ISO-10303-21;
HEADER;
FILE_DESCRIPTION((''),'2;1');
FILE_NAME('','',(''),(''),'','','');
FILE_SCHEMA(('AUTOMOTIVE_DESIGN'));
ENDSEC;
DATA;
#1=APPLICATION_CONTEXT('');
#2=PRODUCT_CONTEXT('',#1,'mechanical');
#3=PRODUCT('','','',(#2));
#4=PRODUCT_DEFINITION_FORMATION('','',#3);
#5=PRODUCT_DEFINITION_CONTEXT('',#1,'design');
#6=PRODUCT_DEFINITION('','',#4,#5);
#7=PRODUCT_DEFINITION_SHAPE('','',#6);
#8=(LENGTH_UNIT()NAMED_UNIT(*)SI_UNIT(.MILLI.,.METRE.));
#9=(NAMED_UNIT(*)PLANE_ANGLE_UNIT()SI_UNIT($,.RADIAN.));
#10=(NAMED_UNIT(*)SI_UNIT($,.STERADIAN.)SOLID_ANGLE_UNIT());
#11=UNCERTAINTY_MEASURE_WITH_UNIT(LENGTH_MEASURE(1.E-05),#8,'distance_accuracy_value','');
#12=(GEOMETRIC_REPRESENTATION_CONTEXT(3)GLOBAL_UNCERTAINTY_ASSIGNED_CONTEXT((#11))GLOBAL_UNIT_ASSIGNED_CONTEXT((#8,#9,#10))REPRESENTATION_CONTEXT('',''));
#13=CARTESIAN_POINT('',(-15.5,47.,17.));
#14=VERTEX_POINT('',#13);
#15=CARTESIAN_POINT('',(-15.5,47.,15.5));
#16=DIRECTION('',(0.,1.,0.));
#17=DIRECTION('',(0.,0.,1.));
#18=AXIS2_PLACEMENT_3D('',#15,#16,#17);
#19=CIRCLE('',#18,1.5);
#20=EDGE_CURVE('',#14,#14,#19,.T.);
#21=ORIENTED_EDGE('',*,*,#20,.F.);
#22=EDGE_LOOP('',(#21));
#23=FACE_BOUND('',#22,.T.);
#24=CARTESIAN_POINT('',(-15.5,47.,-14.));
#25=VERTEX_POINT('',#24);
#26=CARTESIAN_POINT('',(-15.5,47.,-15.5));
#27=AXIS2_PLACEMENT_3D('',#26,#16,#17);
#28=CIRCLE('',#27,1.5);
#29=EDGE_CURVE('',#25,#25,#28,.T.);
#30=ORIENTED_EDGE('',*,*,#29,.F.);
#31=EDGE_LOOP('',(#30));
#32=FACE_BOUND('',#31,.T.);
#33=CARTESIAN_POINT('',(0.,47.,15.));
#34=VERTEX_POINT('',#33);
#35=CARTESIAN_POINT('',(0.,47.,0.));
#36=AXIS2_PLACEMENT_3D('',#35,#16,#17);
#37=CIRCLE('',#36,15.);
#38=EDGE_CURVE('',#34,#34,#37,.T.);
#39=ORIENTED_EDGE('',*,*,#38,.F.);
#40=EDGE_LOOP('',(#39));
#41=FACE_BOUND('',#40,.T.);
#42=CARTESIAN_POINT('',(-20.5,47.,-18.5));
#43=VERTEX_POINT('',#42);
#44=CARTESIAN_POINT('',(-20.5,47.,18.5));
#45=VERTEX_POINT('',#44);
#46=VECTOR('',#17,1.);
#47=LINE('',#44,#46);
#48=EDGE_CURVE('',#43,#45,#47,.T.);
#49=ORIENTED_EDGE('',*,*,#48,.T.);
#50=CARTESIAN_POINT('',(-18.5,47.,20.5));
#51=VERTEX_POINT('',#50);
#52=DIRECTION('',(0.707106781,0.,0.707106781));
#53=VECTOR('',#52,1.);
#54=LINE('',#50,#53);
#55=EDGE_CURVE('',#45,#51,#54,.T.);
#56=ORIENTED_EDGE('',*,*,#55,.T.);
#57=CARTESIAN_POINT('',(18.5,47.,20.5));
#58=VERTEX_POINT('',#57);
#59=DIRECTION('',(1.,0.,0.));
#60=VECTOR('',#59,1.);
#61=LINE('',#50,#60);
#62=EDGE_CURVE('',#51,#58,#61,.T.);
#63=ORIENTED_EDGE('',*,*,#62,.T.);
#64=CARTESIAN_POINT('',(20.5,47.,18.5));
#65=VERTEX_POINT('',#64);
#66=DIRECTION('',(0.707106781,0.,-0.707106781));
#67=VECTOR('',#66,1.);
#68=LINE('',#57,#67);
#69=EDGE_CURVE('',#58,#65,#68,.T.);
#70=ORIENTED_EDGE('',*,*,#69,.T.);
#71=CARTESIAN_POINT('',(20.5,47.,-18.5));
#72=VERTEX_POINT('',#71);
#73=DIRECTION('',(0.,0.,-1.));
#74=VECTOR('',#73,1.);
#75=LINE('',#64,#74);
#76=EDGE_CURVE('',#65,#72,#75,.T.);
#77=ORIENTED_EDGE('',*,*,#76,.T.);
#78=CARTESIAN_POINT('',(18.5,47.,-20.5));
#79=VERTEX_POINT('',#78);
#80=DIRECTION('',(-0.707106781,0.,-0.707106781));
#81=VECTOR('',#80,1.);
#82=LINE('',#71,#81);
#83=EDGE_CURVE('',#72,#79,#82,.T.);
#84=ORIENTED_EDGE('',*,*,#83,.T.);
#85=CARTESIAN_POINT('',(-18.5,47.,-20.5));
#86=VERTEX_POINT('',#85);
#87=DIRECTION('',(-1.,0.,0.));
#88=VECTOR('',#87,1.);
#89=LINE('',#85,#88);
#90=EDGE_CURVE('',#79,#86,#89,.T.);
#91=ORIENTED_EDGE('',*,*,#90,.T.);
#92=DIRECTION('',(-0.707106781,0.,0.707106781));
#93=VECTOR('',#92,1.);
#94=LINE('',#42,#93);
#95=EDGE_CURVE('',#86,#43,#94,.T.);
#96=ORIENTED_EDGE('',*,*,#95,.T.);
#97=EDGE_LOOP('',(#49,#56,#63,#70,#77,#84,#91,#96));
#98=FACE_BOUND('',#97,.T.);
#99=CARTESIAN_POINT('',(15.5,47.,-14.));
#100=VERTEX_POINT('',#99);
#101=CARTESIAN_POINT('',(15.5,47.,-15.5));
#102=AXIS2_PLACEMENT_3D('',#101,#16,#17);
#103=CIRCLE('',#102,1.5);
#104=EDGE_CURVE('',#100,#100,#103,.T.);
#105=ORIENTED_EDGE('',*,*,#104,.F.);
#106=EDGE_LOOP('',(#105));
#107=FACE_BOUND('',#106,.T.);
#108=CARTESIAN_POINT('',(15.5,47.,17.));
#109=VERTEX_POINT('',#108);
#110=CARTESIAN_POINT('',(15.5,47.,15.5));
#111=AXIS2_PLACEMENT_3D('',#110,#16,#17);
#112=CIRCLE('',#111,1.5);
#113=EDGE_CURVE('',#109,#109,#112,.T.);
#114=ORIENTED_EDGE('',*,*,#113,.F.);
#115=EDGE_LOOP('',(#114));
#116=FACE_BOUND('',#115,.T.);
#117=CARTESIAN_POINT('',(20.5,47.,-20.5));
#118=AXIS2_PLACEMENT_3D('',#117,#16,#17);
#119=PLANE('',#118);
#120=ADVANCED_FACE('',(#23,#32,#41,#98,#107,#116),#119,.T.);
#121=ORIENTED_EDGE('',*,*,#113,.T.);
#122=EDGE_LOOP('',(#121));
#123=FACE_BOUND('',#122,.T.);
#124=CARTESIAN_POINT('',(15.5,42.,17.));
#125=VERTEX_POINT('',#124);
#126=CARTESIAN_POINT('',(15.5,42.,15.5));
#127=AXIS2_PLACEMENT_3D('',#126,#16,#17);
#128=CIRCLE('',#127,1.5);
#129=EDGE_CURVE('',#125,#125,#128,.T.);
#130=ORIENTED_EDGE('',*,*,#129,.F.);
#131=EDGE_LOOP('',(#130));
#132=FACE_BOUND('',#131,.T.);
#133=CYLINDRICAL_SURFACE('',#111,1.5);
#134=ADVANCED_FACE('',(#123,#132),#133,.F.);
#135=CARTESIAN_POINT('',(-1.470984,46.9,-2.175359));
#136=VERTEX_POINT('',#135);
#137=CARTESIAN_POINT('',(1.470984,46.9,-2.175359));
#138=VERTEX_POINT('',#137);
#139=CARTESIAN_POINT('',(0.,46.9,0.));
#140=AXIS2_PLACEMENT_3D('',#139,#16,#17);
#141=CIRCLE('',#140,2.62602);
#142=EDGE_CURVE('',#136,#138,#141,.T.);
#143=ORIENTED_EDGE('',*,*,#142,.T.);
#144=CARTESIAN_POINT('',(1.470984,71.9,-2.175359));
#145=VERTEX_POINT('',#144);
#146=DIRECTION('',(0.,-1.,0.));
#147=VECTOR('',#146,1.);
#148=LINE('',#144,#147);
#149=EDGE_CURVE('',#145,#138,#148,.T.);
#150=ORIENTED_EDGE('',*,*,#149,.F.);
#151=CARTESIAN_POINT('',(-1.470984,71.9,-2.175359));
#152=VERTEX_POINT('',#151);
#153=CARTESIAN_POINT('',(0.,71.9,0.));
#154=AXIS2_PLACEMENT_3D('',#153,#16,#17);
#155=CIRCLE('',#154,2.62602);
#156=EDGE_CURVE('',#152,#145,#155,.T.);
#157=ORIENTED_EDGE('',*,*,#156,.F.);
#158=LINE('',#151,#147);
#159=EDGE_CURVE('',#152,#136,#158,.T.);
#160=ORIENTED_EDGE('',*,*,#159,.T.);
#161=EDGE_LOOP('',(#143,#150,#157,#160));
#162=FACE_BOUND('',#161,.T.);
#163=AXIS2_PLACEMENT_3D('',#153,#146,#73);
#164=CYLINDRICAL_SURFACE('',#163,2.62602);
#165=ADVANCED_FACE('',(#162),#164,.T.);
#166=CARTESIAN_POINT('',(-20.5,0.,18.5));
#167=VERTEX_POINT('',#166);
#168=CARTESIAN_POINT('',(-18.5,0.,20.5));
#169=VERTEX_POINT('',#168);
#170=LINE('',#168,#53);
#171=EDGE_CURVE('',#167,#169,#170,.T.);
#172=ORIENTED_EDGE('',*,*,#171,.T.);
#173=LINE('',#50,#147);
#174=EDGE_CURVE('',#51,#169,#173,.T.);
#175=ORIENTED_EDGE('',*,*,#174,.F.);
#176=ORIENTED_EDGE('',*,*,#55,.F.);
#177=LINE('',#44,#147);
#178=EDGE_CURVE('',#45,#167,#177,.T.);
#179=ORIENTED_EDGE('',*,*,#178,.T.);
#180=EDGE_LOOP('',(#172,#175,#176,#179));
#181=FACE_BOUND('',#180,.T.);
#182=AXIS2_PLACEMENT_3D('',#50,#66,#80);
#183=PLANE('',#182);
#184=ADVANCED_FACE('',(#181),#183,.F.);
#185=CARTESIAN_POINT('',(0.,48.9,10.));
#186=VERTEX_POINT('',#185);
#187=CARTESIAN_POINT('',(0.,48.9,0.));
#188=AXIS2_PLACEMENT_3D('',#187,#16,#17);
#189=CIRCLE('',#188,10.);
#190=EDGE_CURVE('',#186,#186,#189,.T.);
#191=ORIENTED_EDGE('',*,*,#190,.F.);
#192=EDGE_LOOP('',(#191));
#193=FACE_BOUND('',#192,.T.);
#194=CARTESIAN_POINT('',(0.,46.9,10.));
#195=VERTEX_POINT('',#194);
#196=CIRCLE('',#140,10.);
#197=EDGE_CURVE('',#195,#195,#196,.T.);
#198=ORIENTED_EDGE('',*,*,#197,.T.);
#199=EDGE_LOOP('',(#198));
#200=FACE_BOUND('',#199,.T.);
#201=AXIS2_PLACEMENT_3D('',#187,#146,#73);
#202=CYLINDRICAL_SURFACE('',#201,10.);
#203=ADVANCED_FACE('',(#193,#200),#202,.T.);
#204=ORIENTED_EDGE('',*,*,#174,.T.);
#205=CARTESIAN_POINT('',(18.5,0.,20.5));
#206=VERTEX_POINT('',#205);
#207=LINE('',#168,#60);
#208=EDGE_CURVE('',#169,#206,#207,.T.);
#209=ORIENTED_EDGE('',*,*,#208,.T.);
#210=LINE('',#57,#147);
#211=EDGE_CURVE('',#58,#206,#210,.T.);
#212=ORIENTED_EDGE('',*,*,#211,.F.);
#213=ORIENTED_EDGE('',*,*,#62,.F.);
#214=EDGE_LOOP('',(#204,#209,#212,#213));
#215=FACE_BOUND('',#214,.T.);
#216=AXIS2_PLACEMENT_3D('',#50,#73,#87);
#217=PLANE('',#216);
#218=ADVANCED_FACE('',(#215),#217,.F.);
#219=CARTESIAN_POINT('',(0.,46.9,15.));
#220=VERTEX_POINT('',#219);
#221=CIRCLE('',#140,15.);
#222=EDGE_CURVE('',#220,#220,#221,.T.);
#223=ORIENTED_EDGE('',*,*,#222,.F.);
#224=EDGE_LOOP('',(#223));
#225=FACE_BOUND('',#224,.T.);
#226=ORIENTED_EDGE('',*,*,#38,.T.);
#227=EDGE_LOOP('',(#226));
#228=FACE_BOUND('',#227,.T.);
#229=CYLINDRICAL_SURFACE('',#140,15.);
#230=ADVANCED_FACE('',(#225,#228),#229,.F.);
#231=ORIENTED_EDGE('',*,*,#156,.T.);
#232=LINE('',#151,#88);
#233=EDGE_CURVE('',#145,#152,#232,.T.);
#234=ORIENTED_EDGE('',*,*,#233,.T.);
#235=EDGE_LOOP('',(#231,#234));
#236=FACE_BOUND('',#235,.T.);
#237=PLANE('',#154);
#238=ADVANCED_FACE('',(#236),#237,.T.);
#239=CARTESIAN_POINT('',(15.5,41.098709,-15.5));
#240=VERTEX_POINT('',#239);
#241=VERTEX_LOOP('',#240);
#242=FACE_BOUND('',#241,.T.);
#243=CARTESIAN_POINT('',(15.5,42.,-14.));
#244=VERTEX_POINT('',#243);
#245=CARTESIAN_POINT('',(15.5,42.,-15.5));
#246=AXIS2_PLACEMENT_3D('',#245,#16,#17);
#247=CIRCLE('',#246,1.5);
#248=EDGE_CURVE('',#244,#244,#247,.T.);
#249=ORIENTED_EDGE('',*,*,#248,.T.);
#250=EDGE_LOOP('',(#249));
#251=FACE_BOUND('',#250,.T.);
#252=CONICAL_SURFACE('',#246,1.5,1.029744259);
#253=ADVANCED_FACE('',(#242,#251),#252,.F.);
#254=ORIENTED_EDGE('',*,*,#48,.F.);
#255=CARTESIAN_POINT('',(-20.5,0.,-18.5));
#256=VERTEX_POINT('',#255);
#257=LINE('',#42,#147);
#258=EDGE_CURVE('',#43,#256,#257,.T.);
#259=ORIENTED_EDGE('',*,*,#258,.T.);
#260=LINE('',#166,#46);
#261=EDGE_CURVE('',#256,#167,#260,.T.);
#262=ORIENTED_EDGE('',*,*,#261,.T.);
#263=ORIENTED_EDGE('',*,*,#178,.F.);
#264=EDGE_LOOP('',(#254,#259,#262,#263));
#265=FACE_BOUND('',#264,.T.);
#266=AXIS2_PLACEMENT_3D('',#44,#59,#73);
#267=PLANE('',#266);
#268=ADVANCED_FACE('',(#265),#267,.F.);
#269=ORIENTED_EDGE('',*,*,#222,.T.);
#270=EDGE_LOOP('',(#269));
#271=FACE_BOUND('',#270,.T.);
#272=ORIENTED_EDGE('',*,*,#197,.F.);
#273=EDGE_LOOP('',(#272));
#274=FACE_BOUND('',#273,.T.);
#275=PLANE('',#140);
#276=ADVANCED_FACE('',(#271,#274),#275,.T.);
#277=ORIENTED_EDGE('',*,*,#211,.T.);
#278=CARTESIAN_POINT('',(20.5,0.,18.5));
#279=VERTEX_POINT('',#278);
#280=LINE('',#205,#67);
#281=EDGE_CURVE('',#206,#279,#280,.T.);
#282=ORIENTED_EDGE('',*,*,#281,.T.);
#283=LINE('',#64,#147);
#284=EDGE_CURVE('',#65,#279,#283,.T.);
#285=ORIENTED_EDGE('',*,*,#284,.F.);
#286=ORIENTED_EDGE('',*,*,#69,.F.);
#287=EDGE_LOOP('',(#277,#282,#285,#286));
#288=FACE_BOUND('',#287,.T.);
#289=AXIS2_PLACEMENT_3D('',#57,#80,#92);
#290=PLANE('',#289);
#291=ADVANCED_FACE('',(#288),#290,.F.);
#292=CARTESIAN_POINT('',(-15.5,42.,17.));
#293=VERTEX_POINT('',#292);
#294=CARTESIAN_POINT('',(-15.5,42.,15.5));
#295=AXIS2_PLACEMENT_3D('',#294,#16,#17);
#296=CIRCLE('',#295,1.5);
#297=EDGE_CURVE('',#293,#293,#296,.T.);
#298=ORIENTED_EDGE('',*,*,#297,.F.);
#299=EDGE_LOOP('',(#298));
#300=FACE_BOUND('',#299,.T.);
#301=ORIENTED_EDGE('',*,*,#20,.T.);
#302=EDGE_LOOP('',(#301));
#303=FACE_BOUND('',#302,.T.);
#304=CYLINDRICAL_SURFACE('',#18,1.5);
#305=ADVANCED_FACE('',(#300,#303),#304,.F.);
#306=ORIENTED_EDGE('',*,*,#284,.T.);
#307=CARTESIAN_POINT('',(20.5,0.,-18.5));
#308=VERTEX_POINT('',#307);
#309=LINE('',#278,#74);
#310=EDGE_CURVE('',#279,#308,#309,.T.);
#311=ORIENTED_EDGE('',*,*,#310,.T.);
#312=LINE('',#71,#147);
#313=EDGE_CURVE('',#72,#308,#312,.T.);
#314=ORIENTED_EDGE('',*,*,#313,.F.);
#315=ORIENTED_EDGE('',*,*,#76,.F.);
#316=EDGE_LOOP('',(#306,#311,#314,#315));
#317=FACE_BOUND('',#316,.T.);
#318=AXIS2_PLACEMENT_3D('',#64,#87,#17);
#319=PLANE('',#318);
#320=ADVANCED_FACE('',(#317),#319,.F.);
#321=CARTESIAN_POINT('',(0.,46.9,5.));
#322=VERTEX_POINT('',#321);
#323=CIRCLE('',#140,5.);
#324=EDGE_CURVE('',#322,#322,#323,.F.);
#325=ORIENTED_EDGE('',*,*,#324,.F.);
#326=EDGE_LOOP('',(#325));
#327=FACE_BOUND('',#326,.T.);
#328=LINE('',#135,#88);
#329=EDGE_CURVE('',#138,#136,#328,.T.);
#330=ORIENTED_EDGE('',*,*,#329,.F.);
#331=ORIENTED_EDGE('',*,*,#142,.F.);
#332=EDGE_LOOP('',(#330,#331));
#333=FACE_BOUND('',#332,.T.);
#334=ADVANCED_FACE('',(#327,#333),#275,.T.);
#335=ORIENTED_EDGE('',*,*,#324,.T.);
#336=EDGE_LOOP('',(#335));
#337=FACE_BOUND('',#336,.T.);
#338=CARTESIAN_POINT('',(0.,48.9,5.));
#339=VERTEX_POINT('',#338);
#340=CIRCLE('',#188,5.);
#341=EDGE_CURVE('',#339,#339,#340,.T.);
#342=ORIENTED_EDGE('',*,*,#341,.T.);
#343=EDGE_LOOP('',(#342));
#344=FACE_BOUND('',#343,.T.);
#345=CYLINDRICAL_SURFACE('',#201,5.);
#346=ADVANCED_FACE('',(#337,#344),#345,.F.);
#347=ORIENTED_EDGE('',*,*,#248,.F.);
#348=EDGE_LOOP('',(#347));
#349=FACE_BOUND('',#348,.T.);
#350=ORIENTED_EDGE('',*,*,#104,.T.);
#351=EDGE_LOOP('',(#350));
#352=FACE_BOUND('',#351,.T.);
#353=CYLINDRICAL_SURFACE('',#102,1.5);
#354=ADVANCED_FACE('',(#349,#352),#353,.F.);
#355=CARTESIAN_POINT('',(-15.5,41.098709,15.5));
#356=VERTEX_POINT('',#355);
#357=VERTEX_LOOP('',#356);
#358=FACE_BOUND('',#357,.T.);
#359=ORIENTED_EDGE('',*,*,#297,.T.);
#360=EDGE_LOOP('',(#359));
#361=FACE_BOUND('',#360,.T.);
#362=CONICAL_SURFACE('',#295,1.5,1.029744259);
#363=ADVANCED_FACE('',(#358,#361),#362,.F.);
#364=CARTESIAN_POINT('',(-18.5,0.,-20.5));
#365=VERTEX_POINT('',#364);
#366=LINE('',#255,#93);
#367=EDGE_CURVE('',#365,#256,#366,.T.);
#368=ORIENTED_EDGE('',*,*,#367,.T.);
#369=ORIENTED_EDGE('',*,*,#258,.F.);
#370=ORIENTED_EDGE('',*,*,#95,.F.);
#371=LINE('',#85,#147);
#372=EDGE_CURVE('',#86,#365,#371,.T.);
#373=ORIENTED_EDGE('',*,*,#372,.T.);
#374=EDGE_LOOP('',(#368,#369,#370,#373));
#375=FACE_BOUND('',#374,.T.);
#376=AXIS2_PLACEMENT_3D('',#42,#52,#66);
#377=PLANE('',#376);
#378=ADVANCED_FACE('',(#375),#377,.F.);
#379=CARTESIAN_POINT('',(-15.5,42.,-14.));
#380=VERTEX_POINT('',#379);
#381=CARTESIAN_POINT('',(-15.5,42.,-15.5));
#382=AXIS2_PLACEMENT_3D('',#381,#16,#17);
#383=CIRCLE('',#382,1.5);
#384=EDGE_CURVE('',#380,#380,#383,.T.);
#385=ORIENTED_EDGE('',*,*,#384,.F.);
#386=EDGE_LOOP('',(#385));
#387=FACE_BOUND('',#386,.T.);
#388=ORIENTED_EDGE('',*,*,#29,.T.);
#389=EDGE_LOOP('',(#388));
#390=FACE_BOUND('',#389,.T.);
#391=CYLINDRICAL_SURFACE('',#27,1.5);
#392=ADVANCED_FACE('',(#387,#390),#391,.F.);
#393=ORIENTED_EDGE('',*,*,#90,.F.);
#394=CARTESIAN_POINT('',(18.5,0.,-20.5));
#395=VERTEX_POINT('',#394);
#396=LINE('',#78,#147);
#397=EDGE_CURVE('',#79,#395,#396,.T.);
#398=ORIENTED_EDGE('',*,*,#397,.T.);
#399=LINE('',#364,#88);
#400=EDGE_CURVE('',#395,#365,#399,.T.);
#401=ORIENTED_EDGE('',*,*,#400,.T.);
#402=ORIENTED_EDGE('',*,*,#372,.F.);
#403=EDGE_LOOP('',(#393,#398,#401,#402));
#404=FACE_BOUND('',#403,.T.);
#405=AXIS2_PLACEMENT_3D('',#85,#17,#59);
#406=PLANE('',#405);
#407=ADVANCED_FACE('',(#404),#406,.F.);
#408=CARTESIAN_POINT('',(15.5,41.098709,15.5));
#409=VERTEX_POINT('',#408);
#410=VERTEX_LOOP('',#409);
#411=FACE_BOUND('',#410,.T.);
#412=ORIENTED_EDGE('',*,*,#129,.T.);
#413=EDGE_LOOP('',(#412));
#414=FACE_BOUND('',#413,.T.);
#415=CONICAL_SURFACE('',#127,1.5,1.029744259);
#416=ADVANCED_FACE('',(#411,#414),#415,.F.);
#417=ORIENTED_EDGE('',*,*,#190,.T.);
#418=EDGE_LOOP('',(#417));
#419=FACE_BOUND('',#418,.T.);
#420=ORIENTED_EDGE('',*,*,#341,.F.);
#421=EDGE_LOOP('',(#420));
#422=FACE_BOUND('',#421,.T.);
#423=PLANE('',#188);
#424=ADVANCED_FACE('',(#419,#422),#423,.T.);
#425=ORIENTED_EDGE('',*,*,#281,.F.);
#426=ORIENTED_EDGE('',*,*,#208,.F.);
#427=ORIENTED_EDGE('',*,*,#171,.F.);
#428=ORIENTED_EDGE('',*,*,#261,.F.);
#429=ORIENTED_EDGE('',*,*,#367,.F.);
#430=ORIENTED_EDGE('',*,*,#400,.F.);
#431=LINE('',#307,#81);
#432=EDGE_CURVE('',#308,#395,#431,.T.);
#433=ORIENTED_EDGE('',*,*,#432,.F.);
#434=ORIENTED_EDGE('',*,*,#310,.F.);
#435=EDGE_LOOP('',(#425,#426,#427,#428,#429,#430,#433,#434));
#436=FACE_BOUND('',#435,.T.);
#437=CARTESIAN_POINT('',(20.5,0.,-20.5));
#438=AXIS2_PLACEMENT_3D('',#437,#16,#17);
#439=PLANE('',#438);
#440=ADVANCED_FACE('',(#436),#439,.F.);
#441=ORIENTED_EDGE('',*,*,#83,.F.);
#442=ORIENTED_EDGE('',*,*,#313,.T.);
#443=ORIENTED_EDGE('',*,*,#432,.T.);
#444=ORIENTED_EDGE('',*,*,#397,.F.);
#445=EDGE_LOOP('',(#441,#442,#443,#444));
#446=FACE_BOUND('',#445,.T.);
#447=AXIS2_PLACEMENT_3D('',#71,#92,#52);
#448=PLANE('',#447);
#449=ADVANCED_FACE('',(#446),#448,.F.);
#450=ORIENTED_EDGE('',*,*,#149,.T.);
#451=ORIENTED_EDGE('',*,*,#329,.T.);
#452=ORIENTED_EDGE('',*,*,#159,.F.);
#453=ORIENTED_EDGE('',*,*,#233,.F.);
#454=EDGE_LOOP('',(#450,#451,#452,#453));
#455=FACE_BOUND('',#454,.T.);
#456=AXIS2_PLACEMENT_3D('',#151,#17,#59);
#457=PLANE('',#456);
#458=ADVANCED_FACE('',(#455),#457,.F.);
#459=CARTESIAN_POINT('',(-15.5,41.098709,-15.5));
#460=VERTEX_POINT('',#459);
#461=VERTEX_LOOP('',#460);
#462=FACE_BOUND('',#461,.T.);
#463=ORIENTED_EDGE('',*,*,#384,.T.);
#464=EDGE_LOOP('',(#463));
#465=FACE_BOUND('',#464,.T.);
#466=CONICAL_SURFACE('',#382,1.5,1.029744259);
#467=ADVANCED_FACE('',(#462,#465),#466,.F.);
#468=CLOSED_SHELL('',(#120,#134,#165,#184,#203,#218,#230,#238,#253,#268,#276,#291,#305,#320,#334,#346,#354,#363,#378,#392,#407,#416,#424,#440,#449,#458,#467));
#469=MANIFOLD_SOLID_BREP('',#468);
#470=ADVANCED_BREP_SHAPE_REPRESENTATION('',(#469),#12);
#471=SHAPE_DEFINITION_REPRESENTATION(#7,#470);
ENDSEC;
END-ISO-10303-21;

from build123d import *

# Parameters (mm, degrees)
BOSS_EXTRUDE1_DEPTH          = 47
SKETCH2_R                    = 15
CUT_EXTRUDE1_DEPTH           = 0.1
SKETCH3_R                    = 10
SKETCH3_R_2                  = 5
BOSS_EXTRUDE2_DEPTH          = 2
BOSS_EXTRUDE3_DEPTH          = 25
F_3_0_3_DIAMETER_HOLE1_D     = 3
F_3_0_3_DIAMETER_HOLE1_DEPTH = 5
F_3_0_3_DIAMETER_HOLE1_TIP   = 0.901290929


with BuildPart() as part:
    # Sketch1 → Boss-Extrude1 (new body)
    with BuildSketch(Plane(origin=(0, 0, 0), x_dir=(1, 0, 0), z_dir=(0, 1, 0))):
        Polygon((-20.5, 18.5), (-18.5, 20.5), (18.5, 20.5), (20.5, 18.5), (20.5, -18.5), (18.5, -20.5), (-18.5, -20.5), (-20.5, -18.5), align=None)
    extrude(amount=BOSS_EXTRUDE1_DEPTH)

    # Sketch2 → Cut-Extrude1 (cut)
    with BuildSketch(Plane(origin=(0, 47, 0), x_dir=(-1, 0, 0), z_dir=(0, 1, 0))):
        Circle(SKETCH2_R)
    extrude(amount=-CUT_EXTRUDE1_DEPTH, mode=Mode.SUBTRACT)

    # Sketch3 → Boss-Extrude2 (add)
    with BuildSketch(Plane(origin=(0, 46.9, 0), x_dir=(1, 0, 0), z_dir=(0, 1, 0))):
        Circle(SKETCH3_R)
        Circle(SKETCH3_R_2, mode=Mode.SUBTRACT)
    extrude(amount=BOSS_EXTRUDE2_DEPTH)

    # Sketch4 → Boss-Extrude3 (add)
    with BuildSketch(Plane(origin=(0, 46.9, 0), x_dir=(1, 0, 0), z_dir=(0, 1, 0))):
        with BuildLine():
            Line((-1.470984161, 2.175359116), (1.470984161, 2.175359116))
            ThreePointArc((1.470984161, 2.175359116), (0, -2.626020123), (-1.470984161, 2.175359116))
        make_face()
    extrude(amount=BOSS_EXTRUDE3_DEPTH)

    # Ø3.0 (3) Diameter Hole1
    with Locations(Plane(origin=(0, 47, 0), x_dir=(-1, 0, 0), z_dir=(0, 1, 0))):
        with Locations((-15.5, -15.5), (15.5, -15.5), (15.5, 15.5), (-15.5, 15.5)):
            Hole(F_3_0_3_DIAMETER_HOLE1_D / 2, depth=F_3_0_3_DIAMETER_HOLE1_DEPTH)
            with Locations((0, 0, -(F_3_0_3_DIAMETER_HOLE1_DEPTH + F_3_0_3_DIAMETER_HOLE1_TIP / 2))):  # 118° drill point
                Cone(0, F_3_0_3_DIAMETER_HOLE1_D / 2, F_3_0_3_DIAMETER_HOLE1_TIP, mode=Mode.SUBTRACT)


solid = part.part
